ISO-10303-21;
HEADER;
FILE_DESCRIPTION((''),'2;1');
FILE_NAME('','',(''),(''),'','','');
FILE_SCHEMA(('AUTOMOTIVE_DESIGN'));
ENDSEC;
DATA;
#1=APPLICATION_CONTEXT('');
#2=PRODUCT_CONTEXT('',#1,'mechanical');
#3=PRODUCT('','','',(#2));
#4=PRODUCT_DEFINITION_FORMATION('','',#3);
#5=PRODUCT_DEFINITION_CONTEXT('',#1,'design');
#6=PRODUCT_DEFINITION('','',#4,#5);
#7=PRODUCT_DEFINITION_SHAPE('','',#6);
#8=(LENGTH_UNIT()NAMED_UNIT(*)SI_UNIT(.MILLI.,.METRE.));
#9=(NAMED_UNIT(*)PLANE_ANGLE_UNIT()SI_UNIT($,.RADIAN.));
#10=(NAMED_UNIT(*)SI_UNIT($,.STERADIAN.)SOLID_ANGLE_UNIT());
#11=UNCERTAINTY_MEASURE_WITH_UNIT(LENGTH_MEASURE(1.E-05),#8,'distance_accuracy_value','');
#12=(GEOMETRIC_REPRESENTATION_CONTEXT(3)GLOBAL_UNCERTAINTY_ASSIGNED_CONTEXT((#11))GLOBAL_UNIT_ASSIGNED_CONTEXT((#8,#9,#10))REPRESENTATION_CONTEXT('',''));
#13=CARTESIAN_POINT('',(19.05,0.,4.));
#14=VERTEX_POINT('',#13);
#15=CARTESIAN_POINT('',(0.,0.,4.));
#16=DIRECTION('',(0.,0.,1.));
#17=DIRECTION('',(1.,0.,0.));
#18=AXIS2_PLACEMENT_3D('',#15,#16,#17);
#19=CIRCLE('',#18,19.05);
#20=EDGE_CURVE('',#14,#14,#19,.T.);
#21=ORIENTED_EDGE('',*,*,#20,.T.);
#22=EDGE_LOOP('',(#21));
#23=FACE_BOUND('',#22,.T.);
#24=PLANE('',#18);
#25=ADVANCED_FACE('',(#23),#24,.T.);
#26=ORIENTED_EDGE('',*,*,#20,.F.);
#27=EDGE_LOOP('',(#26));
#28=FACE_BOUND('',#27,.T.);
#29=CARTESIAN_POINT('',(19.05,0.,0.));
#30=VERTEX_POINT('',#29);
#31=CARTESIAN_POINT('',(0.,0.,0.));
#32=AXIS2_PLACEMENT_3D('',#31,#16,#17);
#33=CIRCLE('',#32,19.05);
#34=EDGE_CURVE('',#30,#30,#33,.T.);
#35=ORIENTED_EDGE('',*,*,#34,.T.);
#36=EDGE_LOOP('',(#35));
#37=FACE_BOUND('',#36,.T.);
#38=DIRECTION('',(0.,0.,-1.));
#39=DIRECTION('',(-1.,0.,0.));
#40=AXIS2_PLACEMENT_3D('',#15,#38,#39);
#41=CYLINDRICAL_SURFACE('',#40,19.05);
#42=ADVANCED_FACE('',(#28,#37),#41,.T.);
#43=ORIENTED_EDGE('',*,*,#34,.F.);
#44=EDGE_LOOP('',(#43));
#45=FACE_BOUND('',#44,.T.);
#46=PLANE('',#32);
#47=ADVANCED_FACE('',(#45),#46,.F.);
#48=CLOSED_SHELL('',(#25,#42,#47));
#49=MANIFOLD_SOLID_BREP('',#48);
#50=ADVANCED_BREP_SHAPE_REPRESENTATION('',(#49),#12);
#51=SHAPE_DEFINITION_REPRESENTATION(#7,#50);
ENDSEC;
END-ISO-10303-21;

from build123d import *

# Parameters (mm, degrees)
SKETCH_1_R      = 19.05
EXTRUDE_1_DEPTH = 4


with BuildPart() as part:
    # 草图1 → 凸台-拉伸1 (new body)
    with BuildSketch(Plane.XY):
        Circle(SKETCH_1_R)
    extrude(amount=EXTRUDE_1_DEPTH)


solid = part.part
